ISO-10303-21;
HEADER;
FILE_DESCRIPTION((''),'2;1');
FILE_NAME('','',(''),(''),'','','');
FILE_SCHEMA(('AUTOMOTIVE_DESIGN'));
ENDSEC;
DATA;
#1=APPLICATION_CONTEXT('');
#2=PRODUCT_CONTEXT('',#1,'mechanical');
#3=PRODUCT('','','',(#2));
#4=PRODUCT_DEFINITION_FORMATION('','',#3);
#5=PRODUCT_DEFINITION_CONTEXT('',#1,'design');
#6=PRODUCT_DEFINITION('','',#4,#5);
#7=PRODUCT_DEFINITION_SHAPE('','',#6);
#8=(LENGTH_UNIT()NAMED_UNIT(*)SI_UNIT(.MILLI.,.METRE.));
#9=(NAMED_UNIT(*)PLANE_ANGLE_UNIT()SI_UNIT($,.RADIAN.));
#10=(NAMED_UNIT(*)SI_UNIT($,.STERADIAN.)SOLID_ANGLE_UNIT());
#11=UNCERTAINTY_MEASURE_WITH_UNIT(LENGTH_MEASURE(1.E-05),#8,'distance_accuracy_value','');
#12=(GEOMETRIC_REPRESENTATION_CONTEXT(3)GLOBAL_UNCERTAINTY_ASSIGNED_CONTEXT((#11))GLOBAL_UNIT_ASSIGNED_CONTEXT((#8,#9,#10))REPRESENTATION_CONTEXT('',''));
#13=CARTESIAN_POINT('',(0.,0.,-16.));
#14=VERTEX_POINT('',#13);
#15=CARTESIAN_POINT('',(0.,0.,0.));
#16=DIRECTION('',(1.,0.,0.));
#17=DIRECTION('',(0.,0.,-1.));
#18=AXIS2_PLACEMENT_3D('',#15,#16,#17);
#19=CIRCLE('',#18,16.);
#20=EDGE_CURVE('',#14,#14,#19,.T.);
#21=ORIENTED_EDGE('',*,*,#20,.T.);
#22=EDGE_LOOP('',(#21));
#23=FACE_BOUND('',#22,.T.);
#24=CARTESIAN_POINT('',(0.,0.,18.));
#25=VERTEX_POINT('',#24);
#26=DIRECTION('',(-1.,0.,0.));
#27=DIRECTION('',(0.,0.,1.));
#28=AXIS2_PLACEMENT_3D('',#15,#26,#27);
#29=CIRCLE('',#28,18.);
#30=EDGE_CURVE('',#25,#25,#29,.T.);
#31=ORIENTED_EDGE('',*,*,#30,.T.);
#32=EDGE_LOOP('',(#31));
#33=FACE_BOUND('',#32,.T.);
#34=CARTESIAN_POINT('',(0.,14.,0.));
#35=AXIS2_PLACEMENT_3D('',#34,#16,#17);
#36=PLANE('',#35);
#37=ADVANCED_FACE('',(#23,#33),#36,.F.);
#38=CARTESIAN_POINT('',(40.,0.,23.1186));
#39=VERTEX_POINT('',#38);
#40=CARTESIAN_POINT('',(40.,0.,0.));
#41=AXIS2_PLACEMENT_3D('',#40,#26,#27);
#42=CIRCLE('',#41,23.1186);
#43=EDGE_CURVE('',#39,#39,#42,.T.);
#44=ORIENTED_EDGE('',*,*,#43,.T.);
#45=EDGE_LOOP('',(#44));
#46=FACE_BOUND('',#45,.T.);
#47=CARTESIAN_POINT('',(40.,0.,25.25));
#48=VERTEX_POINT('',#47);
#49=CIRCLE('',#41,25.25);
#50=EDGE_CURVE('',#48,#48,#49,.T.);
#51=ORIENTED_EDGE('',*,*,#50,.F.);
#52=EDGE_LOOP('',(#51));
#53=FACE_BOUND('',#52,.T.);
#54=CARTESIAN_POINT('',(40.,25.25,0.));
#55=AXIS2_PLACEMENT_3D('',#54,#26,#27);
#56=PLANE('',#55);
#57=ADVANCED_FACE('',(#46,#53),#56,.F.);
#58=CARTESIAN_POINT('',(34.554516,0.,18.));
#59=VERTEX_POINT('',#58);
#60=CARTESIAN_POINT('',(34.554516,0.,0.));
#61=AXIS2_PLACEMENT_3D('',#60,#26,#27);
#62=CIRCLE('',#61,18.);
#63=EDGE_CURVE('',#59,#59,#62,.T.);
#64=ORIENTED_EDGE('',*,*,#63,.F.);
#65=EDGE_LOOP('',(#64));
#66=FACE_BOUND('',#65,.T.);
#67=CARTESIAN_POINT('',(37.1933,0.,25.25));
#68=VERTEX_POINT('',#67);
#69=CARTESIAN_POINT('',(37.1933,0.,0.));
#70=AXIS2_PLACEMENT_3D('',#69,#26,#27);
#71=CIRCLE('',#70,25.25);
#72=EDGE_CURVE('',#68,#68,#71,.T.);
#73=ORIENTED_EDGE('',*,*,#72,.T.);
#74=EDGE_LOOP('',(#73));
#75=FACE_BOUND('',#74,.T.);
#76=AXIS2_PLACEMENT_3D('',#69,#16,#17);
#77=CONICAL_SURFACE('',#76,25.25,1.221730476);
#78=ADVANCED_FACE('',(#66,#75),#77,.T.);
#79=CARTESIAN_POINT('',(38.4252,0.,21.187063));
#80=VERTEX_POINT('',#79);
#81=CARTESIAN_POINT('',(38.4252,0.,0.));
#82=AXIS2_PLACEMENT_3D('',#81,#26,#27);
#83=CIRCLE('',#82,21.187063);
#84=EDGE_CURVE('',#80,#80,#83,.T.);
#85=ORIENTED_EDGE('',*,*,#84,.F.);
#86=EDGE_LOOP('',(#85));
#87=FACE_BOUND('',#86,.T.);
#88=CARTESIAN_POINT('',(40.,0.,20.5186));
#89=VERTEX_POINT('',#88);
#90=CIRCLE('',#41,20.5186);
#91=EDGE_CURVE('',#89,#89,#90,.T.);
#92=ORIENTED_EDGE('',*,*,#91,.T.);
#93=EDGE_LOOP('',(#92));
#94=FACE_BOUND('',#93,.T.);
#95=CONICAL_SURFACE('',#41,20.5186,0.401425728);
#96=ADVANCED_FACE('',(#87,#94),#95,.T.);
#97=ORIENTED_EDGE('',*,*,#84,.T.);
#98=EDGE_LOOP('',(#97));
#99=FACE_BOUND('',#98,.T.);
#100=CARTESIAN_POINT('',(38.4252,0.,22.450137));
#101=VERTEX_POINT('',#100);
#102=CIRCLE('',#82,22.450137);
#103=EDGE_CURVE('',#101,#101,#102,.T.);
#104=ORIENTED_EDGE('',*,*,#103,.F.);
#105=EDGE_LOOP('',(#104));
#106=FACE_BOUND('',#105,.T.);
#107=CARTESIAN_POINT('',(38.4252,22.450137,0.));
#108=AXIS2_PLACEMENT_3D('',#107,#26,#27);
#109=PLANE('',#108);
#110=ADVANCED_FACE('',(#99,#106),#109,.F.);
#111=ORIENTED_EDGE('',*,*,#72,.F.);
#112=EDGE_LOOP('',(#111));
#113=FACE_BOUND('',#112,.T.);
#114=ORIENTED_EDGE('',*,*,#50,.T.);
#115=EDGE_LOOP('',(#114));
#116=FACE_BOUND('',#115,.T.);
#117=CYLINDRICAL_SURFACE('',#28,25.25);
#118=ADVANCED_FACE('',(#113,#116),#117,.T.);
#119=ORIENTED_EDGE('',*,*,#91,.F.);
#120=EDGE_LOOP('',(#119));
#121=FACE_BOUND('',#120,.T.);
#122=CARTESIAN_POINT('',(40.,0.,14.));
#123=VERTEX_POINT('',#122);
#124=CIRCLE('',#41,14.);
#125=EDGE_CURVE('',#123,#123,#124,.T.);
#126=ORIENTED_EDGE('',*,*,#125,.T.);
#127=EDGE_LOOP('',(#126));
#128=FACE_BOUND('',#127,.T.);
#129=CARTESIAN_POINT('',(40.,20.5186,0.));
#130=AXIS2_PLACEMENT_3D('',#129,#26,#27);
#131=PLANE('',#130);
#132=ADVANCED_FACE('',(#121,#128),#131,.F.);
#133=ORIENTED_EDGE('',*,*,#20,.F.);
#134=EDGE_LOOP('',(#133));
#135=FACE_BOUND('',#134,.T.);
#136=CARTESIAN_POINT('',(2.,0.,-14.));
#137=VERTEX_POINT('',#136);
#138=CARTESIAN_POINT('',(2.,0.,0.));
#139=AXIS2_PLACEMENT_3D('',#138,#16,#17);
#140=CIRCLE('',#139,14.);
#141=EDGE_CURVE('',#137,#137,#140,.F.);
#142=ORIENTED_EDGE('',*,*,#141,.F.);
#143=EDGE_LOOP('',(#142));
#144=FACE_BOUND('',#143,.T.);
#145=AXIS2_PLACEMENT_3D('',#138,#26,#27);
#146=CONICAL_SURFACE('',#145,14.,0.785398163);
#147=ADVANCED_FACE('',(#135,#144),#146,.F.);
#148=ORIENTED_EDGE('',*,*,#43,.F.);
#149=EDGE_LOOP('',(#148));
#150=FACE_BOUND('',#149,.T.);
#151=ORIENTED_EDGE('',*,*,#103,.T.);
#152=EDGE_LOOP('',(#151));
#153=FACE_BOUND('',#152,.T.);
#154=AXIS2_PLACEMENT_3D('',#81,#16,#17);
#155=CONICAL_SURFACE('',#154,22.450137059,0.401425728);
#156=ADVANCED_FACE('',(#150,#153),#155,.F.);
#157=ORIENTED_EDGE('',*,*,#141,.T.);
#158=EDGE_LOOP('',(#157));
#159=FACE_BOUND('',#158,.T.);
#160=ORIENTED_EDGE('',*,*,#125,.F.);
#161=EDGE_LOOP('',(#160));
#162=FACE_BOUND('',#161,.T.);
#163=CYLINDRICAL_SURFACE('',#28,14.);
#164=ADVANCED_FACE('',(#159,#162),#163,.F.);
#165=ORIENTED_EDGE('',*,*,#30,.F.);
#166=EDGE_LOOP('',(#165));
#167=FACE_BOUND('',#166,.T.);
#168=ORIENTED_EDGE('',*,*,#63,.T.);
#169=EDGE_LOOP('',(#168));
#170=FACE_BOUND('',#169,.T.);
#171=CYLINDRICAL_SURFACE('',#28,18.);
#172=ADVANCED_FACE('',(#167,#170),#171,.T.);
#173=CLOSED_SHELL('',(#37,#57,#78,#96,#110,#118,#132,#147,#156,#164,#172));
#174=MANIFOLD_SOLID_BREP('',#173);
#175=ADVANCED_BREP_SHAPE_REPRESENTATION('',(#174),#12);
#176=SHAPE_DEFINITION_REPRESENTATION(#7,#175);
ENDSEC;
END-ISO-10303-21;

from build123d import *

# Parameters (mm, degrees)
CHAMFER1_SIZE      = 2
SKETCH7_R          = 14
CUT_EXTRUDE2_DEPTH = 41


with BuildPart() as part:
    # Sketch1 → Revolve1 (revolve)
    with BuildSketch(Plane.XY):
        Polygon((34.554515802, 18), (37.1933, 25.25), (40, 25.25), (40, 23.1186), (38.4252, 22.450137059), (38.4252, 21.187062941), (40, 20.5186), (40, 14), (40, 12), (35, 12), (35, 14), (0, 14), (0, 18), align=None)
    revolve(axis=Axis((0, 0, 0), (1, 0, 0)))

    # Chamfer1
    chamfer1_edges = [part.edges().sort_by_distance(p)[0] for p in [
        (0, -14, 0),
    ]]
    chamfer(chamfer1_edges, length=CHAMFER1_SIZE)

    # Sketch7 → Cut-Extrude2 (cut, through all)
    with BuildSketch(Plane.ZY):
        Circle(SKETCH7_R)
    extrude(amount=-CUT_EXTRUDE2_DEPTH, mode=Mode.SUBTRACT)


solid = part.part
